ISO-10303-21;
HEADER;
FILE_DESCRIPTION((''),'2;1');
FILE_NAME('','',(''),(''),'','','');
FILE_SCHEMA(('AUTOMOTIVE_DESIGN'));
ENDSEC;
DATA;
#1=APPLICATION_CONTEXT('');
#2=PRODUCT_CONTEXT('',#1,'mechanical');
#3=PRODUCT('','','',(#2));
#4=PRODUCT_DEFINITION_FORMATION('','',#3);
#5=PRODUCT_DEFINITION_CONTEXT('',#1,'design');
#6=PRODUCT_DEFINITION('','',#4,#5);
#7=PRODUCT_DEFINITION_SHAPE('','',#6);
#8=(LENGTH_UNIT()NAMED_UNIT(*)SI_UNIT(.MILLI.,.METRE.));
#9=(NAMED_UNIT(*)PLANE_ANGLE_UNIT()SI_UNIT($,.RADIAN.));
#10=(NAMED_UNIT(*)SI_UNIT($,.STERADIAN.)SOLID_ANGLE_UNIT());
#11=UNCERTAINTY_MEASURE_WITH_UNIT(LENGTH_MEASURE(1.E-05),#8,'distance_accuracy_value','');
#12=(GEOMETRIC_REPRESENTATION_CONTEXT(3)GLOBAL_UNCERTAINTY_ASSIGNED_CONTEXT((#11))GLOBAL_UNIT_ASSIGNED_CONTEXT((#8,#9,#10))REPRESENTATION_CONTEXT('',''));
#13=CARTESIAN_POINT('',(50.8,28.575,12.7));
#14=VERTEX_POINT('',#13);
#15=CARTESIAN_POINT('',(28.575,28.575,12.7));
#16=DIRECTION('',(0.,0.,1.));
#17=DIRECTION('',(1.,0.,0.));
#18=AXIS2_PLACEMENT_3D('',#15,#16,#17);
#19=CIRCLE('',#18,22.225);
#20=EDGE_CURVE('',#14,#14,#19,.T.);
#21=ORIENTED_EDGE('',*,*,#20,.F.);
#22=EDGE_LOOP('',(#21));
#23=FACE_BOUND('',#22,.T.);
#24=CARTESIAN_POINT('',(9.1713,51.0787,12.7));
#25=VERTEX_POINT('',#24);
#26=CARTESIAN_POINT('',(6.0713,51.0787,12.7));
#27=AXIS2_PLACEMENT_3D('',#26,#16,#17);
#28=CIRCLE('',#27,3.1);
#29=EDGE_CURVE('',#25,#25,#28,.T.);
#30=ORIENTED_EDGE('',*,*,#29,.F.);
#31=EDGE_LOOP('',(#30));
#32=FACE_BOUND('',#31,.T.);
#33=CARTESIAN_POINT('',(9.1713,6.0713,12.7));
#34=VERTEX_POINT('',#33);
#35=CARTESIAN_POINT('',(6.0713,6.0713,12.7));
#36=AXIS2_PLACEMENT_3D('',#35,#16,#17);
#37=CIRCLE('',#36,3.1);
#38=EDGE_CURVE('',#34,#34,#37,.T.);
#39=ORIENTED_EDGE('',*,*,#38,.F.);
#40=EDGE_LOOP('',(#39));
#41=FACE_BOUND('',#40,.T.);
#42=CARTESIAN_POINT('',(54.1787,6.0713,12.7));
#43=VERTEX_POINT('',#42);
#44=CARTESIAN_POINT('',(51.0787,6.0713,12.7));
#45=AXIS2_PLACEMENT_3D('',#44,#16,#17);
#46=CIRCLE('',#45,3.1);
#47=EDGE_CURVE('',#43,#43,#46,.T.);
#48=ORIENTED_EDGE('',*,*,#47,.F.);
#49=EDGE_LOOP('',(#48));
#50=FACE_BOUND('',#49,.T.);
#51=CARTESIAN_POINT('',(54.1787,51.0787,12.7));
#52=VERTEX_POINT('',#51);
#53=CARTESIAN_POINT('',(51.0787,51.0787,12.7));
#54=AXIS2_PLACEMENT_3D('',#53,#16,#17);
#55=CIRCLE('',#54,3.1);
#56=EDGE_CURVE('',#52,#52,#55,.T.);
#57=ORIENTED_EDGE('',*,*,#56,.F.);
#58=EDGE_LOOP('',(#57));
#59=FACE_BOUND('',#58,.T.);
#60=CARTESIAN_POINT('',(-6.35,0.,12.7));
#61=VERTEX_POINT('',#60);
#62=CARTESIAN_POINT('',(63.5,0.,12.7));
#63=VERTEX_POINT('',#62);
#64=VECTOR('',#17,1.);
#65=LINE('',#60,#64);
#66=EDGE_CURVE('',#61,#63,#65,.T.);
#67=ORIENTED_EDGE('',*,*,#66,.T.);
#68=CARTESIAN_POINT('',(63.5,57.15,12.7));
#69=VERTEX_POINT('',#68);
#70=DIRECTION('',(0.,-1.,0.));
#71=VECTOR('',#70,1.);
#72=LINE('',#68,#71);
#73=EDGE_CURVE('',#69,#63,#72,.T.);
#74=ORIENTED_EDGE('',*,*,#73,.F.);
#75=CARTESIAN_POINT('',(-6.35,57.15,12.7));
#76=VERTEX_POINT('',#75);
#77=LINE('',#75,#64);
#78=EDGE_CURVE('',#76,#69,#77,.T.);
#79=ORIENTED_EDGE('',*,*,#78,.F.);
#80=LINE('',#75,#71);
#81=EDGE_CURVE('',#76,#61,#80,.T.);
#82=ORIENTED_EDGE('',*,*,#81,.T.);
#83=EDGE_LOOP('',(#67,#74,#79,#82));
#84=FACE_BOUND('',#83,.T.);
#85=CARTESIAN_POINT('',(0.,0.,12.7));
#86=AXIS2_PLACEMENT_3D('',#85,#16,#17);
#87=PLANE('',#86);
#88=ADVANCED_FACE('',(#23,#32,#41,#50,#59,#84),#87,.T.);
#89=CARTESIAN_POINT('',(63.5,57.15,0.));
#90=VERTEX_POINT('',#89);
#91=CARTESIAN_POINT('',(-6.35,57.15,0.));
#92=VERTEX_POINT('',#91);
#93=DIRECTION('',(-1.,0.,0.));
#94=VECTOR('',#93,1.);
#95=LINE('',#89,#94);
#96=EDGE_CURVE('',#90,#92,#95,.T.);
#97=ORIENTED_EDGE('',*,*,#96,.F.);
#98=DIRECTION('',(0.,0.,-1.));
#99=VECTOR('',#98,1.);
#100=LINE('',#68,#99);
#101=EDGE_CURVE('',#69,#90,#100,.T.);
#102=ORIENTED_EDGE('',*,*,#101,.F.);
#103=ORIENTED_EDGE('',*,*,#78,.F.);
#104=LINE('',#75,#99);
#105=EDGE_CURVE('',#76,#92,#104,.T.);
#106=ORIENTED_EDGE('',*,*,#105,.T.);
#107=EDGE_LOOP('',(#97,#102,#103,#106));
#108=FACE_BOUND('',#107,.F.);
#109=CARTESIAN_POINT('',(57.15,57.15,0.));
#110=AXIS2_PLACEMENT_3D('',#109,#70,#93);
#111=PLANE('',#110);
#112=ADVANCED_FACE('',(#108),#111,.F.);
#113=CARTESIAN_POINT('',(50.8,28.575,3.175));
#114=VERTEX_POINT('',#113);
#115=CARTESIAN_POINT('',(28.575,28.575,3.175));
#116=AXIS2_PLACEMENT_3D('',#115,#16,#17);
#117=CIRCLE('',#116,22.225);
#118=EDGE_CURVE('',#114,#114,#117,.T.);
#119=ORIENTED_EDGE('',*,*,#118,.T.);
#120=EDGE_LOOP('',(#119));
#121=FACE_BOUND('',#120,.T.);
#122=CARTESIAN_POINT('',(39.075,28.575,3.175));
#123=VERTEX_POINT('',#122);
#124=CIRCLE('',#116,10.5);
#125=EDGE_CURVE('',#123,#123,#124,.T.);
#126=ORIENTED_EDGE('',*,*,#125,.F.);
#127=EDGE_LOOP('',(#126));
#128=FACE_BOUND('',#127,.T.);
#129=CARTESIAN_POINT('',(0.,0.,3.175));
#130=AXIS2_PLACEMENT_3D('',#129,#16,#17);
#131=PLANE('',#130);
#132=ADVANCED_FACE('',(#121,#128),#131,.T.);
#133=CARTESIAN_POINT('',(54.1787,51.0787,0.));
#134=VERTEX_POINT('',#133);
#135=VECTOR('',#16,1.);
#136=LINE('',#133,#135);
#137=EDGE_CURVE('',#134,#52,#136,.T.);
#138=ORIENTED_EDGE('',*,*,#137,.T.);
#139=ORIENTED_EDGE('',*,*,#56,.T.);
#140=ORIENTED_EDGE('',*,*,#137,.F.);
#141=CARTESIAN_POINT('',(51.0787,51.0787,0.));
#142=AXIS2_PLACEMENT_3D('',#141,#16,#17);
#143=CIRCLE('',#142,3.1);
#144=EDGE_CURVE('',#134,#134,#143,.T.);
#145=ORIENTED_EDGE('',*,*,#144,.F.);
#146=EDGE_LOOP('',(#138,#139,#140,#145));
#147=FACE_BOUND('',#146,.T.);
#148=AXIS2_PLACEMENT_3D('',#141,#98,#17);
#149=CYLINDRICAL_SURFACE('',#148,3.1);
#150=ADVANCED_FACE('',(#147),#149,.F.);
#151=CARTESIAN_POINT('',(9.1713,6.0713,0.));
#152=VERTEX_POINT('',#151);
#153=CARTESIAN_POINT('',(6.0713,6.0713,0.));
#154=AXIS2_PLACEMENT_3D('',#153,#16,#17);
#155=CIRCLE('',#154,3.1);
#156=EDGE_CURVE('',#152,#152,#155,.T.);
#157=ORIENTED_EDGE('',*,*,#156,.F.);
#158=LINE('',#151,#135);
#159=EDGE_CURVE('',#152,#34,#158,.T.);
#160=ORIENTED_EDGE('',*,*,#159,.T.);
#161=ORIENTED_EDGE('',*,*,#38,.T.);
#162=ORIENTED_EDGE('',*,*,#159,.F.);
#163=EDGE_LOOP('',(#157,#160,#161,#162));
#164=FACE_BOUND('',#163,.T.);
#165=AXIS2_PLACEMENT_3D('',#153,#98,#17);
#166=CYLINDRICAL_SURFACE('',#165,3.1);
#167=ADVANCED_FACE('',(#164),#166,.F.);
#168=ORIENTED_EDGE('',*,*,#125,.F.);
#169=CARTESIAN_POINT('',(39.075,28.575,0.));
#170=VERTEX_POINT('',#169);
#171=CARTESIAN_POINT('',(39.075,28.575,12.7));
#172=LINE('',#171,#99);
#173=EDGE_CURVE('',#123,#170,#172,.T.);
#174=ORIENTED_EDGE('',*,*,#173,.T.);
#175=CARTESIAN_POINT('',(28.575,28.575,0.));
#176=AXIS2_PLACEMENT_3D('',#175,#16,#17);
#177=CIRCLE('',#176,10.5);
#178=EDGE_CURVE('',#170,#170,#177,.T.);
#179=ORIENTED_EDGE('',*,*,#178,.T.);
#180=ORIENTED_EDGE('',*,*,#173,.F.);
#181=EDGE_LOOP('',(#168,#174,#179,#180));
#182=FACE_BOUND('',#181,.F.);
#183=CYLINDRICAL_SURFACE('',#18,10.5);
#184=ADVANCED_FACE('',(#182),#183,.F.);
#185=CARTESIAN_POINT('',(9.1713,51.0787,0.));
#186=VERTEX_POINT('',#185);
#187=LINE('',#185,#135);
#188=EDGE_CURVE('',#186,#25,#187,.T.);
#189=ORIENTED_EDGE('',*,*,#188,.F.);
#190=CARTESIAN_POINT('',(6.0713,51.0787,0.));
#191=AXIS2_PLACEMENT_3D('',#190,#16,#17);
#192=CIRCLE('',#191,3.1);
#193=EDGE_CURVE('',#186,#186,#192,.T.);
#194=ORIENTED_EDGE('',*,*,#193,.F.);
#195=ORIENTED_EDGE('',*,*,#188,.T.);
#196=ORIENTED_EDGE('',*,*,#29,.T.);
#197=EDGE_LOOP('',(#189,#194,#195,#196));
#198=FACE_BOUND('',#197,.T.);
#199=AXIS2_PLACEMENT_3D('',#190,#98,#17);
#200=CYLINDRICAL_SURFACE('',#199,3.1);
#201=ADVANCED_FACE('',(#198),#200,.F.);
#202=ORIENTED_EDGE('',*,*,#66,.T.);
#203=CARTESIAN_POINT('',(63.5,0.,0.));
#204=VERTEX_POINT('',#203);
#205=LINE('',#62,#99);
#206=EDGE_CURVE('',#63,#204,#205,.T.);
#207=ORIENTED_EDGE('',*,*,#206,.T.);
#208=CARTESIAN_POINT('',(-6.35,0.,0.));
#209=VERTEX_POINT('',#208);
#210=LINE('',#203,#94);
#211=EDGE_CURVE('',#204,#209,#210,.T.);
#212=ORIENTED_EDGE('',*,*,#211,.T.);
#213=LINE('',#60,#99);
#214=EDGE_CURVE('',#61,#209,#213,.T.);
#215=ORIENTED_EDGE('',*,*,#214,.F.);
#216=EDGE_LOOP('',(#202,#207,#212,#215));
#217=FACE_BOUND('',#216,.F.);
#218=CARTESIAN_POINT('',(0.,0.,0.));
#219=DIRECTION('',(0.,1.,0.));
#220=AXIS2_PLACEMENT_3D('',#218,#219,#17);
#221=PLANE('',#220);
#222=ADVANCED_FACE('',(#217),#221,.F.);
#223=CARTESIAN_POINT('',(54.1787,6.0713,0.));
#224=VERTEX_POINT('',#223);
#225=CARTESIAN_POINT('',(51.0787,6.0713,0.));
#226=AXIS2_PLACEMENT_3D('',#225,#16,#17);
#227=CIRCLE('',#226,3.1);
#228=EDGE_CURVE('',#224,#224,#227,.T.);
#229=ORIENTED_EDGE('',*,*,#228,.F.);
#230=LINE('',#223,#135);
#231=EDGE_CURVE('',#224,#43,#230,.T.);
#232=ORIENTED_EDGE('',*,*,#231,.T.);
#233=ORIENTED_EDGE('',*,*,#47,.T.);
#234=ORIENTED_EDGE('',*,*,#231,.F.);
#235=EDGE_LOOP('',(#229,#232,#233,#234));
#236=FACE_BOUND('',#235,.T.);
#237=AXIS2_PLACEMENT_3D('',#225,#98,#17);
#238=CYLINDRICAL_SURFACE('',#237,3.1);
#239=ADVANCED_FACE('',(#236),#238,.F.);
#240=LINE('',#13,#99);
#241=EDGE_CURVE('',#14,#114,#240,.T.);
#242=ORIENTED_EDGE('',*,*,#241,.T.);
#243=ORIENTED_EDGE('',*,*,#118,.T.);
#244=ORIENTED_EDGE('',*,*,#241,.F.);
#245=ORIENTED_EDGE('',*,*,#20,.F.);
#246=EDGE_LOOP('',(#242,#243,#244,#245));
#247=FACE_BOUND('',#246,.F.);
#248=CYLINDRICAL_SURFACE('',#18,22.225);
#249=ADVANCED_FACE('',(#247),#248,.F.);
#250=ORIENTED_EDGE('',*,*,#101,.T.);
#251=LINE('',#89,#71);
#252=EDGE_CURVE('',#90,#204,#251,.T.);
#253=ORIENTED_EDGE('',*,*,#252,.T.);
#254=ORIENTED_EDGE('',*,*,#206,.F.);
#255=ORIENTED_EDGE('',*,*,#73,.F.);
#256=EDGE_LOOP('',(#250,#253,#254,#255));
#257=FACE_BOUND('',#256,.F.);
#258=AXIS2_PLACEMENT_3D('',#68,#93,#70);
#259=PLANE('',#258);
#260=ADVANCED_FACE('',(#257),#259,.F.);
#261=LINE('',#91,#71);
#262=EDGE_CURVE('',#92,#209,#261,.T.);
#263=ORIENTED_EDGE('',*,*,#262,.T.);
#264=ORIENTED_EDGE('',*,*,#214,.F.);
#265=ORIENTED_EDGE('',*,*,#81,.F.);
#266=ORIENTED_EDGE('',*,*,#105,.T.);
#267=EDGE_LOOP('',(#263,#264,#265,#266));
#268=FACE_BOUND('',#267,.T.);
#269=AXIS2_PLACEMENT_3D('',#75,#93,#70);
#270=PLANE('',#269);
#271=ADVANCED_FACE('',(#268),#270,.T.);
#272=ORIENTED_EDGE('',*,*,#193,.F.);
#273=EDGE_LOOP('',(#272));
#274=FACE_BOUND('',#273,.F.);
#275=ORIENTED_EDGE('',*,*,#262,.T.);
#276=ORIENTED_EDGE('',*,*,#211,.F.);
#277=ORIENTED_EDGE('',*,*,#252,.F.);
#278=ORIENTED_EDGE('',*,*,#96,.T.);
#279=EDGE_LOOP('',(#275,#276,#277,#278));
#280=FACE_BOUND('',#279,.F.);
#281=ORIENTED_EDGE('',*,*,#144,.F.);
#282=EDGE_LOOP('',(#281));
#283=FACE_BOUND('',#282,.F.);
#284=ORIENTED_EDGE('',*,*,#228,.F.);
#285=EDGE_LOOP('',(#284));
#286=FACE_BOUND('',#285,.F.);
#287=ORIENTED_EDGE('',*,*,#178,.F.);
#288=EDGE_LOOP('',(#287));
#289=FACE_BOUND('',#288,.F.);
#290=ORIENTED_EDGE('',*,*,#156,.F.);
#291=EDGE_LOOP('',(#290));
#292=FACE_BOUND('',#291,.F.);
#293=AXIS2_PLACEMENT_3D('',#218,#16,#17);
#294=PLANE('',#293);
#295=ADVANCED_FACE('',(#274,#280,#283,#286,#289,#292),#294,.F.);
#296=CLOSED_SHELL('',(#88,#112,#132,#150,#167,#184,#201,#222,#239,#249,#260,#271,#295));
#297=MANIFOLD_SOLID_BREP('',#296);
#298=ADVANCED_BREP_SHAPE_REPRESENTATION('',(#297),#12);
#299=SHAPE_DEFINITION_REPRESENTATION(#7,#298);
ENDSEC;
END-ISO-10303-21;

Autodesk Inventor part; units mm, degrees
ref_plane "YZ Plane" through (0, 0, 0) normal (1, 0, 0) x (0, 1, 0)
ref_plane "XZ Plane" through (0, 0, 0) normal (0, 1, 0) x (-1, 0, 0)
ref_plane "XY Plane" through (0, 0, 0) normal (0, 0, 1) x (1, 0, 0)
sketch "Sketch1" plane through (0, 0, 0) normal (0, 0, 1) x (1, 0, 0)
  line L0 (0, 0) -> (57.15, 0)
  line L1 (57.15, 0) -> (57.15, 57.15)
  line L2 (57.15, 57.15) -> (0, 57.15)
  line L3 (0, 57.15) -> (0, 0)
  line L4 (0, 57.15) -> (57.15, 0) construction
  circle A0 centre (28.575, 28.575) radius 31.825 construction
  line L5 (0, 0) -> (57.15, 57.15) construction
  circle A1 centre (6.0713, 51.0787) radius 3.1
  circle A2 centre (6.0713, 6.0713) radius 3.1
  circle A3 centre (51.0787, 6.0713) radius 3.1
  circle A4 centre (51.0787, 51.0787) radius 3.1
  circle A5 centre (28.575, 28.575) radius 11.1125
  dimension "d2" = 63.65
  dimension "d0" = 57.15
  dimension "d1" = 57.15
  dimension "d3" = 6.2
  dimension "d6" = 360
  dimension "d10" = 22.225
extrude "Extrusion1" add sketch "Sketch1" along normal blind 12.7 contours L3 L2 L1 L0 | A5
sketch "Sketch2" plane through (0, 0, 12.7) normal (0, 0, 1) x (1, 0, 0)
  circle A0 centre (28.575, 28.575) radius 10.5
  line L0 (57.15, 57.15) -> (0, 57.15) projected
  line L1 (57.15, 0) -> (57.15, 57.15) projected
  point P0 (0, 0)
  dimension "d11" = 21
  dimension "d12" = 28.575
  dimension "d13" = 28.575
extrude "Extrusion2" cut sketch "Sketch2" against normal blind 25.4
sketch "Sketch3" plane through (0, 0, 12.7) normal (0, 0, 1) x (1, 0, 0)
  circle A0 centre (28.575, 28.575) radius 10.5 projected
  circle A1 centre (28.575, 28.575) radius 22.225
  point P0 (0, 0)
  dimension "d16" = 44.45
extrude "Extrusion3" cut sketch "Sketch3" against normal blind 9.525
sketch "Sketch4" plane through (0, 0, 12.7) normal (0, 0, 1) x (1, 0, 0)
  line L0 (0, 57.15) -> (0, 0) projected
  line L1 (0, 57.15) -> (-6.35, 57.15)
  line L2 (-6.35, 57.15) -> (-6.35, 0)
  line L3 (-6.35, 0) -> (0, 0)
  line L4 (0, 0) -> (0, 57.15)
  line L5 (57.15, 0) -> (57.15, 57.15) projected
  line L6 (57.15, 57.15) -> (63.5, 57.15)
  line L7 (63.5, 57.15) -> (63.5, 0)
  line L8 (63.5, 0) -> (57.15, 0)
  line L9 (57.15, 0) -> (57.15, 57.15)
  dimension "d19" = 6.35
  dimension "d20" = 6.35
extrude "Extrusion4" add sketch "Sketch4" against normal up to surface (12.7 mm away)
sketch "Sketch5" plane through (0, 0, 12.7) normal (0, 0, 1) x (1, 0, 0)
  circle A0 centre (28.575, 28.575) radius 10.5 projected
  circle A1 centre (51.0787, 6.0713) radius 3.1 projected
  circle A2 centre (28.575, 28.575) radius 31.825
  point P0 (0, 0)
properties part number "polycarb_front" material "Polycarbonate, Smoke"
